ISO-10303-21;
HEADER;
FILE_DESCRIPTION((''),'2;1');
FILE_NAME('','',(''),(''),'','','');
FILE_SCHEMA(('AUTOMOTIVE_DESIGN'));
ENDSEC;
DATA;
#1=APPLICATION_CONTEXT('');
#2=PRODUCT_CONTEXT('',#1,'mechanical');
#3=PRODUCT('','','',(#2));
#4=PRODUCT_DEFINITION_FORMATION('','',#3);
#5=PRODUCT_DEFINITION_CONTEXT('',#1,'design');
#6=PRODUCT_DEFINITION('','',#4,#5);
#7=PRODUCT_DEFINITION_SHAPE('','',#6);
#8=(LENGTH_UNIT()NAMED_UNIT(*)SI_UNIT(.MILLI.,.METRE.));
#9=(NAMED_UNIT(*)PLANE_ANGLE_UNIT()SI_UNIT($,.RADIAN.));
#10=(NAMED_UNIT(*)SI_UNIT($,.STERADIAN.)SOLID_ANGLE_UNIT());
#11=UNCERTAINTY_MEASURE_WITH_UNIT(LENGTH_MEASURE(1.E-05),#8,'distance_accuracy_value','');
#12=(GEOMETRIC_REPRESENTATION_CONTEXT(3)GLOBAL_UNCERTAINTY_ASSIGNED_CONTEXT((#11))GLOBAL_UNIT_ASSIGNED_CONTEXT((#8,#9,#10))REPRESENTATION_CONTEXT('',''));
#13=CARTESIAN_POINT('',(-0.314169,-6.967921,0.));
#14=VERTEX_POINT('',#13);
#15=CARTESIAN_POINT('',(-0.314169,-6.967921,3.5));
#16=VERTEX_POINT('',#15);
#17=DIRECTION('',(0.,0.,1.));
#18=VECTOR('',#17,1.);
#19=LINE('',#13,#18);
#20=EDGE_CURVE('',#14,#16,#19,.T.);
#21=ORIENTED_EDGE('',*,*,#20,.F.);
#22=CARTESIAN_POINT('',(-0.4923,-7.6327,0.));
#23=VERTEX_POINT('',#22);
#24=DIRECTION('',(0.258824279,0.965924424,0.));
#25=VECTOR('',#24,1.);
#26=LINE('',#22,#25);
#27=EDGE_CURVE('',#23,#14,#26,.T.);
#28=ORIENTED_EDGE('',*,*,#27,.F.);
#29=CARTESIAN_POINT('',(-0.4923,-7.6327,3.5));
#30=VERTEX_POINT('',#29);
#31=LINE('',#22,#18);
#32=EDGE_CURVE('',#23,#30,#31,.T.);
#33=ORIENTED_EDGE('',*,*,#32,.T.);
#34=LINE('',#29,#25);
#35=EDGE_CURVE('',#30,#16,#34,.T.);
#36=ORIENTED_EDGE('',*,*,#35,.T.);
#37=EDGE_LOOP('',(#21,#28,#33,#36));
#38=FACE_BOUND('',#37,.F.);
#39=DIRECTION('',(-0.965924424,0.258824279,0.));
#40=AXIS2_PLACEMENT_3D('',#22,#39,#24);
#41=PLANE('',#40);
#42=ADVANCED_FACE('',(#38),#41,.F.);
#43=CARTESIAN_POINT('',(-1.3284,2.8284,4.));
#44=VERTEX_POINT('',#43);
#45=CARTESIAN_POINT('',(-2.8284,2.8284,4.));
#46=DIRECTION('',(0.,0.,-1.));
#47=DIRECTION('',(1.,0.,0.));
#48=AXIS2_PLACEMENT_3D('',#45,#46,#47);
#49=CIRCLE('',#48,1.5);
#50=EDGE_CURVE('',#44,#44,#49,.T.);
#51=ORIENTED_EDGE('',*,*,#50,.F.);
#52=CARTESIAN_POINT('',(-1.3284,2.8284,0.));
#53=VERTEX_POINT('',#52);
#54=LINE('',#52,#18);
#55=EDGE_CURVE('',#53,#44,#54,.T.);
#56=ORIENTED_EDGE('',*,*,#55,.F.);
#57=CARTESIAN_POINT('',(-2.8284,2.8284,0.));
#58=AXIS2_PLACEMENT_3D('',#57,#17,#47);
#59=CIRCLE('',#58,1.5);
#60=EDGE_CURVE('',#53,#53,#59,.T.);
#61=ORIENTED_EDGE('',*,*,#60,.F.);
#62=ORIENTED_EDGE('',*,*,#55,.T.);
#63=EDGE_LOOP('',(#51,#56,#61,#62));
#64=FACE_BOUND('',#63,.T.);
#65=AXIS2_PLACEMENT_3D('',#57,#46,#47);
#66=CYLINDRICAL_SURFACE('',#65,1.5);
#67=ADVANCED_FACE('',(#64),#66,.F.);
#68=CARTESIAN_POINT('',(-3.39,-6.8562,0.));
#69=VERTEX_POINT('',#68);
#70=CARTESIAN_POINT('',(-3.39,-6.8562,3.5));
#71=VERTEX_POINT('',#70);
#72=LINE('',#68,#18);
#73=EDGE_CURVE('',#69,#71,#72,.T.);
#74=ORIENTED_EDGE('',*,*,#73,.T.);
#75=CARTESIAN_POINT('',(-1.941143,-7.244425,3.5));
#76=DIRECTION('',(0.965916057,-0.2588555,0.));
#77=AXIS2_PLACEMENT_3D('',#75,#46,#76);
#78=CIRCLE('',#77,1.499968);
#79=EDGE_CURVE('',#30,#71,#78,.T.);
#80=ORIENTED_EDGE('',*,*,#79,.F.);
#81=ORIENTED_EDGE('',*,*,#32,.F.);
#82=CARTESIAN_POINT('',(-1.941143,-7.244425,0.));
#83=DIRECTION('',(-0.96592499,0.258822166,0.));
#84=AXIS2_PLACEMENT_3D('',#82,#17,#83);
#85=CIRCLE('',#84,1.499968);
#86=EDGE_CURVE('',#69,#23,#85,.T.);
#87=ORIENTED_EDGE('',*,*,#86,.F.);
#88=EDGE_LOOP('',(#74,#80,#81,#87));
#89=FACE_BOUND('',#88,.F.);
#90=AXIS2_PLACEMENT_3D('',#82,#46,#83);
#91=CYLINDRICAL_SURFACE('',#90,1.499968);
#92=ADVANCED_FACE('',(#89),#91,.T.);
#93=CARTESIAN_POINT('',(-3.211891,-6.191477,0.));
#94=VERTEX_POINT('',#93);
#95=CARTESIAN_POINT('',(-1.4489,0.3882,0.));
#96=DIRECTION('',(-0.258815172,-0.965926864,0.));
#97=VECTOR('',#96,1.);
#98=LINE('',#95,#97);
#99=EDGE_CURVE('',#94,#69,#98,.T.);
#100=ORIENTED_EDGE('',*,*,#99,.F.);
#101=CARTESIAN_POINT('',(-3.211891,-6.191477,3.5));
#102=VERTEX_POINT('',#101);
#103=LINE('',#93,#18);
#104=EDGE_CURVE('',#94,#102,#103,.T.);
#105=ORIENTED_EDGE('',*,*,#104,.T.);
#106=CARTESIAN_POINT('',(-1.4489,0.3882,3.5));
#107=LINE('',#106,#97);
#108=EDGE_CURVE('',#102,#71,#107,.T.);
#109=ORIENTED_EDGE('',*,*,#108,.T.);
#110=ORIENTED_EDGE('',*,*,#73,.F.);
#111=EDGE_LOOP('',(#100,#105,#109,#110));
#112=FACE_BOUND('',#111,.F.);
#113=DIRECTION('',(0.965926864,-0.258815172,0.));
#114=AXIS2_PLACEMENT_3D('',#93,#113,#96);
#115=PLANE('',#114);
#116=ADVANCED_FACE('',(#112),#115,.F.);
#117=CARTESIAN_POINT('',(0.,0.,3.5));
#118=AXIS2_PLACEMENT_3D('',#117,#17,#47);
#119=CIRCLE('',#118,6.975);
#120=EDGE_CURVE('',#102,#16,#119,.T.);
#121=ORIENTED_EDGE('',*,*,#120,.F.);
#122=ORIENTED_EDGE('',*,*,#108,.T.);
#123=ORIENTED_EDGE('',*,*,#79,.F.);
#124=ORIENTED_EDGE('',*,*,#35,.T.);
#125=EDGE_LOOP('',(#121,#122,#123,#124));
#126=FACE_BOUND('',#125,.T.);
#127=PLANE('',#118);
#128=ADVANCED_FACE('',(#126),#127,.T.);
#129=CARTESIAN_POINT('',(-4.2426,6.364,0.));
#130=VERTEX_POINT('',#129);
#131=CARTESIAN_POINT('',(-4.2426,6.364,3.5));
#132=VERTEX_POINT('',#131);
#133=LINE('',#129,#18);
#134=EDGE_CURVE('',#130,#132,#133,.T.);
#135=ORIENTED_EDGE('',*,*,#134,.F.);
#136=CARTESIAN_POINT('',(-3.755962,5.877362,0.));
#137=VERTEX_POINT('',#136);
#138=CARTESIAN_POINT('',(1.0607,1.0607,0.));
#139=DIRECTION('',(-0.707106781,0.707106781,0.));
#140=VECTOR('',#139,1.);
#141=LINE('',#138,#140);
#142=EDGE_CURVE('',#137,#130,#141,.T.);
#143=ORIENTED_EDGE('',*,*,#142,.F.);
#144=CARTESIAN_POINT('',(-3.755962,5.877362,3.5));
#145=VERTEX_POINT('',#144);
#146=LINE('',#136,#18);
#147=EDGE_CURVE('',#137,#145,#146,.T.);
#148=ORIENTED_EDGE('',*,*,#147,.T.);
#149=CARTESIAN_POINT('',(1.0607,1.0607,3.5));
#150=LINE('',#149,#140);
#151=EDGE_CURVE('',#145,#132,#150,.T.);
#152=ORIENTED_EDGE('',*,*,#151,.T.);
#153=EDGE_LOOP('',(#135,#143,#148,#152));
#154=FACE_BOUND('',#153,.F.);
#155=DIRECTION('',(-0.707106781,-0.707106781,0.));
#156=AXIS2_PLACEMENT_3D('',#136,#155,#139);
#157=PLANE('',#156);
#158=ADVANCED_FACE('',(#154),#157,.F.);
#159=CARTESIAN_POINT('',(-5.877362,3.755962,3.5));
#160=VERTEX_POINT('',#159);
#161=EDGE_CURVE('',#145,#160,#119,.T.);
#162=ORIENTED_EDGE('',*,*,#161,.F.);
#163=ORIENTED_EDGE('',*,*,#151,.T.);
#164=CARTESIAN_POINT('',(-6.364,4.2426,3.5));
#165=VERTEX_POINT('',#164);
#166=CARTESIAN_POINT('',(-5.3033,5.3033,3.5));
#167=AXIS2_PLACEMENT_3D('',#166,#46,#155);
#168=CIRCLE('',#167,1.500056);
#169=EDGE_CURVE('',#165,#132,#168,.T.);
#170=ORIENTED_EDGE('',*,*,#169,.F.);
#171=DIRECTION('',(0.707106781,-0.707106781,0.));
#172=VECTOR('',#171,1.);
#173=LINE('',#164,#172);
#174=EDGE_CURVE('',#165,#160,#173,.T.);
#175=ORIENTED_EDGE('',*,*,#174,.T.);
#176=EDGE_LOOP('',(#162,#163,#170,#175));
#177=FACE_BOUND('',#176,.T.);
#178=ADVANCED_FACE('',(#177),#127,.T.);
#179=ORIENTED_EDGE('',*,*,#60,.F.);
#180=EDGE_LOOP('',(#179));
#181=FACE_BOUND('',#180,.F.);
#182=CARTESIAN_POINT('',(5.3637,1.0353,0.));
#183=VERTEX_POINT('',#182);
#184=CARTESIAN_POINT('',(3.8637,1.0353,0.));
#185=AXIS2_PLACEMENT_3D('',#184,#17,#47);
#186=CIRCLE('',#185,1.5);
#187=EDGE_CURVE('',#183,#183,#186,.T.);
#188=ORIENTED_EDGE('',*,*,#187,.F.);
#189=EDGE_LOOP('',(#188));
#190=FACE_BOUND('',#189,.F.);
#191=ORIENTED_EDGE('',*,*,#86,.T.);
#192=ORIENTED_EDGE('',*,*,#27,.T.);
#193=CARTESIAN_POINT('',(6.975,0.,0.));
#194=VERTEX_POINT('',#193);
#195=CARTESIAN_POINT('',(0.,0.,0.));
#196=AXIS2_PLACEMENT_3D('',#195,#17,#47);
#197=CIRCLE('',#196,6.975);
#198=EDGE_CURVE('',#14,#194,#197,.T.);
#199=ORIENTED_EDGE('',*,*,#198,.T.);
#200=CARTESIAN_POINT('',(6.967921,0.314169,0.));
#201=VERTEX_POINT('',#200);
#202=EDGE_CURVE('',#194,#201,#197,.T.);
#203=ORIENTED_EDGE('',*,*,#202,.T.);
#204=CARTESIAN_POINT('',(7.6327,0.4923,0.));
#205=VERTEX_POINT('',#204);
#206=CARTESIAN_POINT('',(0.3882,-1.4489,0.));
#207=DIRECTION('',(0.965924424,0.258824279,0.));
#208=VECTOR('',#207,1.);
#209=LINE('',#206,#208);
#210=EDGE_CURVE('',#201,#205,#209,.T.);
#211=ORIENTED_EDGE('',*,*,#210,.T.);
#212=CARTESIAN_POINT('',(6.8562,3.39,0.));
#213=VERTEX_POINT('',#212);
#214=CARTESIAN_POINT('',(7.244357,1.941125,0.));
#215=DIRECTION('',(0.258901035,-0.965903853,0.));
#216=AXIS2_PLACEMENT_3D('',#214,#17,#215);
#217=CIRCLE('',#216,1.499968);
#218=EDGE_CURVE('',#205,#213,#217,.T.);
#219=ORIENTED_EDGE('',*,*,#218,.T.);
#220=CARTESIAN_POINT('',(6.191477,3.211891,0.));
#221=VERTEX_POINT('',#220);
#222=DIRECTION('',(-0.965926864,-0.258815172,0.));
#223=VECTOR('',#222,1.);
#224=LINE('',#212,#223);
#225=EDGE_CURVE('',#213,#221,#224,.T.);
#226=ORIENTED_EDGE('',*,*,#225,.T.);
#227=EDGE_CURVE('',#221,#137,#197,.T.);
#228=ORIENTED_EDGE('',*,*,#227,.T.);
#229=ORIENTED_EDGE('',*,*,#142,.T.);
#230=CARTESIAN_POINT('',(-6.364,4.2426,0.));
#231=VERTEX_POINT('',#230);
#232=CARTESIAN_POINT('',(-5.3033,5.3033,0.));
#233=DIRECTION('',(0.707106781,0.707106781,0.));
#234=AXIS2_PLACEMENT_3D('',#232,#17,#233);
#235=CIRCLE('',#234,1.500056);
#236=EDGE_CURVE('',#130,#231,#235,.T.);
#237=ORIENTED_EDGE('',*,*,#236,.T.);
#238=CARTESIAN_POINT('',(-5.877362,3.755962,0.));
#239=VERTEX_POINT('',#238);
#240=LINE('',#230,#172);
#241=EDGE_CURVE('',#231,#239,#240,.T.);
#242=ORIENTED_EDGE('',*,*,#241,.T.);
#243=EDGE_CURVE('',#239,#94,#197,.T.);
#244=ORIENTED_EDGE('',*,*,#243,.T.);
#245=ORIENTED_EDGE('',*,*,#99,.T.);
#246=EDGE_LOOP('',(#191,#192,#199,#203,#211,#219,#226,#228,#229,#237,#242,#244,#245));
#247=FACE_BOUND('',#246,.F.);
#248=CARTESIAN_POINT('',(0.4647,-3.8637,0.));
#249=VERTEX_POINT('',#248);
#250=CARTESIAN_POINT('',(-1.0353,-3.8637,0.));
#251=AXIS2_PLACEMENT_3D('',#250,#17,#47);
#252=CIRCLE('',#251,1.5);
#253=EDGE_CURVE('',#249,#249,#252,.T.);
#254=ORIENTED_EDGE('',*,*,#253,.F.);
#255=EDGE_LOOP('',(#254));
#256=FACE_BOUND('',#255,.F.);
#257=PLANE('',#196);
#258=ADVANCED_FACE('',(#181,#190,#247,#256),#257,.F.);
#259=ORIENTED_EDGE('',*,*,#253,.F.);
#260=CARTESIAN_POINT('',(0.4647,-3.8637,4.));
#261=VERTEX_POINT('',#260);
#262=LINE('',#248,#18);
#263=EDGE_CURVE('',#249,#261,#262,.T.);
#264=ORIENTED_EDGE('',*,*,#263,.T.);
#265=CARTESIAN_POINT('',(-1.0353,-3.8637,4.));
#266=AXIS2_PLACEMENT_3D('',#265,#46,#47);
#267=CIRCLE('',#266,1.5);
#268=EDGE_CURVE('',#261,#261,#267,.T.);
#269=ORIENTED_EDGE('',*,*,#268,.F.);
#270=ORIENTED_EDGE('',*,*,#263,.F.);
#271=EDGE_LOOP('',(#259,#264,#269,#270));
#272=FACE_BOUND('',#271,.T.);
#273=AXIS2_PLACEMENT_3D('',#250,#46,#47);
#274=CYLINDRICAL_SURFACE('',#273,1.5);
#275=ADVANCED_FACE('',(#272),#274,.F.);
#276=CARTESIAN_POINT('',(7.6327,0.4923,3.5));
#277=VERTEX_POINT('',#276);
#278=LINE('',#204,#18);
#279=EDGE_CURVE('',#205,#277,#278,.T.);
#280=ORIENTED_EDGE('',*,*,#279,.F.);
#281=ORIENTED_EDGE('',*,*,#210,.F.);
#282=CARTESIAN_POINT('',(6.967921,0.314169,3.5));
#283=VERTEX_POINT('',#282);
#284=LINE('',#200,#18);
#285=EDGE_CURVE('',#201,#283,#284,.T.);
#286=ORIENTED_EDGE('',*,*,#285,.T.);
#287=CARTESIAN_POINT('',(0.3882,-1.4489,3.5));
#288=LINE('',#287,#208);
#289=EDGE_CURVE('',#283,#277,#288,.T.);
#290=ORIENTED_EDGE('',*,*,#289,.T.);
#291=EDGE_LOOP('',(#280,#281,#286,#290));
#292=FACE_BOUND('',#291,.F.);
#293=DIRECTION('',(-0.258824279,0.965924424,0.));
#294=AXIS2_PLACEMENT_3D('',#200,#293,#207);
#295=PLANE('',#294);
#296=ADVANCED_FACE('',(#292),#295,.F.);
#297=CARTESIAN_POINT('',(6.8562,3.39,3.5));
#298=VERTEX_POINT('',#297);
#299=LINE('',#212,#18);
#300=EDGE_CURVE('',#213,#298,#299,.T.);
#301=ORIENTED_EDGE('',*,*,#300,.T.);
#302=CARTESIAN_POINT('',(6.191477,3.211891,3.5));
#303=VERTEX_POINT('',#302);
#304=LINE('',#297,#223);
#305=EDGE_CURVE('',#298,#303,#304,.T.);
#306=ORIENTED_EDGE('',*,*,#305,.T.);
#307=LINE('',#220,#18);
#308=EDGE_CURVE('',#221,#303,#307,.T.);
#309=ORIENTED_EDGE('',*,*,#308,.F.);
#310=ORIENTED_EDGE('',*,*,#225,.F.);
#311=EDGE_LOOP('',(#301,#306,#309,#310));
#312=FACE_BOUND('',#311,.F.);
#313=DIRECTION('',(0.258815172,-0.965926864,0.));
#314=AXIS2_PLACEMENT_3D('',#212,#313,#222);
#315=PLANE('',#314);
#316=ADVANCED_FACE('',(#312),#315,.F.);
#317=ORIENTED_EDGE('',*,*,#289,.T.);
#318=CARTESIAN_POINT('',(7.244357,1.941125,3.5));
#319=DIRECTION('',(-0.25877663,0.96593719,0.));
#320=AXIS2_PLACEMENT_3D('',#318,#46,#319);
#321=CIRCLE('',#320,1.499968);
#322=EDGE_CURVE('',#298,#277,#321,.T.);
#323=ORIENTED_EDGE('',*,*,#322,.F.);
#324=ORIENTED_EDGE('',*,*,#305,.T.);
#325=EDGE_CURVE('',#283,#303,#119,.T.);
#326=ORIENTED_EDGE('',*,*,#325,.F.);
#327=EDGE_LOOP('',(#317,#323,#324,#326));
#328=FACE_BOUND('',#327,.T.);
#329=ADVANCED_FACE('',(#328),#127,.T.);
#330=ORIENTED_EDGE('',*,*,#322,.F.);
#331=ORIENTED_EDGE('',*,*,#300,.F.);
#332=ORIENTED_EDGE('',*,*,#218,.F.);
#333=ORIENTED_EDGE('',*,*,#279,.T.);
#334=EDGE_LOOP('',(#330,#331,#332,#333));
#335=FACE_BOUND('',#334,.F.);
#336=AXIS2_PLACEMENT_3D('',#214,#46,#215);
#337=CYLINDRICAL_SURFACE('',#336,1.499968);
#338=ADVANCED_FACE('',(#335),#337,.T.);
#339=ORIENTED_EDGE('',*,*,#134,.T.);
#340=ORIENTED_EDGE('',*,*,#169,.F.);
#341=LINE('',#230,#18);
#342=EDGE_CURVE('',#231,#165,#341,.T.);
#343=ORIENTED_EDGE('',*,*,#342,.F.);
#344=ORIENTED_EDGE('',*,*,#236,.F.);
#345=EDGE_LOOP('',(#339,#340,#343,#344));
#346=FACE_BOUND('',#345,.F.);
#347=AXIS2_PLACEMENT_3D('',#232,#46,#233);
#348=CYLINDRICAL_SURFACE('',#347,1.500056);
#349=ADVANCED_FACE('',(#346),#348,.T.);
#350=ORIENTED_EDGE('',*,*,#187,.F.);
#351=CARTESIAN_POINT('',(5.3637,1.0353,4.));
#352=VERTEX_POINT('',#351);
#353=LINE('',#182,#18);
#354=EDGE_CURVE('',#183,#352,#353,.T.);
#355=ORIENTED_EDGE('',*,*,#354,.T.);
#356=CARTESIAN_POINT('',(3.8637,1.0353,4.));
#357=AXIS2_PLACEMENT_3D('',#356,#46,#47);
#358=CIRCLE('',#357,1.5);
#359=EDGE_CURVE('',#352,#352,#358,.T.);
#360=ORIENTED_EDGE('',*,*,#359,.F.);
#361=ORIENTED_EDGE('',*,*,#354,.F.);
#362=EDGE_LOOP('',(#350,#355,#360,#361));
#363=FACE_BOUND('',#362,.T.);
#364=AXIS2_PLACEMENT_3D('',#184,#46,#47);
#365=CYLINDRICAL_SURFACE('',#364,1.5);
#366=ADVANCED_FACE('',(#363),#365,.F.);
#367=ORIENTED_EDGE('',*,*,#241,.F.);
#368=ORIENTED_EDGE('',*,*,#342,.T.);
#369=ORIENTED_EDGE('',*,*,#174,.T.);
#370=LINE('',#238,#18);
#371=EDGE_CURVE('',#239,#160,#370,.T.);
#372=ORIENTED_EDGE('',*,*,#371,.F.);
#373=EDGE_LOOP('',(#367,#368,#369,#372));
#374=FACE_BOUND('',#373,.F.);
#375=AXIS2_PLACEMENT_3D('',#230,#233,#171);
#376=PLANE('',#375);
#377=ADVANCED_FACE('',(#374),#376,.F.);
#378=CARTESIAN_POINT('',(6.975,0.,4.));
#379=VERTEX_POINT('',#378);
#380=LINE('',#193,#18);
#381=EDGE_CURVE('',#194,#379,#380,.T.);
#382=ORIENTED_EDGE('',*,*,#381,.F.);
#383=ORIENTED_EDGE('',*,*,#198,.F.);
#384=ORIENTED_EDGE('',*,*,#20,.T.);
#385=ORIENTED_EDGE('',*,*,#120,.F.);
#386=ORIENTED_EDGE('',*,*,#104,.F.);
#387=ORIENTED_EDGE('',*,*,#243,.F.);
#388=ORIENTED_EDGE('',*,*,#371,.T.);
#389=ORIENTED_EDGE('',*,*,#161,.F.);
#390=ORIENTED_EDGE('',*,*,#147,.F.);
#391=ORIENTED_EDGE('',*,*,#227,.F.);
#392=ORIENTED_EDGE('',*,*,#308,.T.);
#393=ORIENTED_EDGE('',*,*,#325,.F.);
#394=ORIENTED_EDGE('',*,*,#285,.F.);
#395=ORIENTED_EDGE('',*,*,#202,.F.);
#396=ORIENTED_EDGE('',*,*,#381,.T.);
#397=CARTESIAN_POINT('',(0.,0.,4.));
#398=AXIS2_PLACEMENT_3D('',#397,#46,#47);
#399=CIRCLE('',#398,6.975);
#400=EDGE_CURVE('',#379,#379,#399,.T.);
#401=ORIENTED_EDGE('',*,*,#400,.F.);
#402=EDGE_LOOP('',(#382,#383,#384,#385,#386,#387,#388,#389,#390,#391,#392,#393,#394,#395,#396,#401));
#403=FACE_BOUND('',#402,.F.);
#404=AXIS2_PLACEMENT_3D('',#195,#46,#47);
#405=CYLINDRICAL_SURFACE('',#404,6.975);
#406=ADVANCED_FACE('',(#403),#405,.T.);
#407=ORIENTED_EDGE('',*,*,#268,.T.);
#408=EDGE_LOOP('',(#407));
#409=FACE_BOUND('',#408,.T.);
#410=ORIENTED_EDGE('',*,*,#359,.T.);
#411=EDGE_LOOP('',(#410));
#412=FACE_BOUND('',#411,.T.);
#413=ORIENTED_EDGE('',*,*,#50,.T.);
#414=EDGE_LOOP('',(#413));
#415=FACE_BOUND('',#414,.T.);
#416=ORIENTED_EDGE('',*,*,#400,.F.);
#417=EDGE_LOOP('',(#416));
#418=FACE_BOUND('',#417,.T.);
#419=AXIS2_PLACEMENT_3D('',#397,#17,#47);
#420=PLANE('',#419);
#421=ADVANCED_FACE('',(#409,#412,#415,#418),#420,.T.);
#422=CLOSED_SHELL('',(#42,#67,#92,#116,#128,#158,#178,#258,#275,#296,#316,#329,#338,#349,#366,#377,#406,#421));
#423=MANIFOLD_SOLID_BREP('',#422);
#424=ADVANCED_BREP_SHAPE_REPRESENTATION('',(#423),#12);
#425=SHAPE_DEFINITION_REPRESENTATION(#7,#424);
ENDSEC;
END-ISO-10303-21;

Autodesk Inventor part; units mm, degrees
ref_plane "YZ Plane" through (0, 0, 0) normal (1, 0, 0) x (0, 1, 0)
ref_plane "XZ Plane" through (0, 0, 0) normal (0, 1, 0) x (-1, 0, 0)
ref_plane "XY Plane" through (0, 0, 0) normal (0, 0, 1) x (1, 0, 0)
sketch "スケッチ1" plane through (0, 0, 0) normal (0, 0, 1) x (1, 0, 0)
  circle A0 centre (0, 0) radius 6.975
  circle A1 centre (-2.8284, 2.8284) radius 1.5
  circle A2 centre (-1.0353, -3.8637) radius 1.5
  circle A3 centre (3.8637, 1.0353) radius 1.5
  circle A4 centre (0, 0) radius 9
  line L0 (0, 0) -> (7.2444, 1.9411) construction
  line L1 (0.3882, -1.4489) -> (7.6327, 0.4923)
  line L2 (6.8562, 3.39) -> (-0.3882, 1.4489)
  arc A5 (-0.3882, 1.4489) -> (0.3882, -1.4489) centre (0, 0) ccw
  arc A6 (7.6327, 0.4923) -> (6.8562, 3.39) centre (7.2444, 1.9411) ccw
  arc A7 (-4.2426, 6.364) -> (-6.364, 4.2426) centre (-5.3033, 5.3033) ccw
  line L3 (1.0607, 1.0607) -> (-4.2426, 6.364)
  line L4 (-6.364, 4.2426) -> (-1.0607, -1.0607)
  arc A8 (-3.39, -6.8562) -> (-0.4923, -7.6327) centre (-1.9411, -7.2444) ccw
  line L5 (-1.4489, 0.3882) -> (-3.39, -6.8562)
  line L6 (-0.4923, -7.6327) -> (1.4489, -0.3882)
  point P0 (3.6222, 0.9706)
  point P1 (6.1915, 3.2119)
  point P2 (6.9679, 0.3141)
  point P3 (-5.8773, 3.756)
  point P4 (-3.756, 5.8773)
  point P5 (-0.3141, -6.9679)
  point P6 (-3.2119, -6.1915)
  dimension "d0" = 13.95
  dimension "d1" = 3
  dimension "d2" = 4
  dimension "d5" = 360
  dimension "d9" = 18
  dimension "d14" = 3
  dimension "d17" = 360
extrude "押し出し2" add sketch "スケッチ1" along normal blind 4 contours A0 L6 L1 | L1 A3 L2 A0 | A0 L5 A2 L6 | L2 L3 A0 | L1 A5 L2 A3 | A0 L4 L5 | A2 L5 L4 A5 L1 L6 | L3 A1 L4 A0 | L3 L2 A5 L5 L4 A1 | L5 A5 L4
extrude "押し出し3" add sketch "スケッチ1" along normal blind 3.5 contours A0 L2 A6 L1 | L6 A8 L5 A0 | A0 L4 A7 L3
properties part number "アームカムFD18t4" material "アセタール樹脂、白"
